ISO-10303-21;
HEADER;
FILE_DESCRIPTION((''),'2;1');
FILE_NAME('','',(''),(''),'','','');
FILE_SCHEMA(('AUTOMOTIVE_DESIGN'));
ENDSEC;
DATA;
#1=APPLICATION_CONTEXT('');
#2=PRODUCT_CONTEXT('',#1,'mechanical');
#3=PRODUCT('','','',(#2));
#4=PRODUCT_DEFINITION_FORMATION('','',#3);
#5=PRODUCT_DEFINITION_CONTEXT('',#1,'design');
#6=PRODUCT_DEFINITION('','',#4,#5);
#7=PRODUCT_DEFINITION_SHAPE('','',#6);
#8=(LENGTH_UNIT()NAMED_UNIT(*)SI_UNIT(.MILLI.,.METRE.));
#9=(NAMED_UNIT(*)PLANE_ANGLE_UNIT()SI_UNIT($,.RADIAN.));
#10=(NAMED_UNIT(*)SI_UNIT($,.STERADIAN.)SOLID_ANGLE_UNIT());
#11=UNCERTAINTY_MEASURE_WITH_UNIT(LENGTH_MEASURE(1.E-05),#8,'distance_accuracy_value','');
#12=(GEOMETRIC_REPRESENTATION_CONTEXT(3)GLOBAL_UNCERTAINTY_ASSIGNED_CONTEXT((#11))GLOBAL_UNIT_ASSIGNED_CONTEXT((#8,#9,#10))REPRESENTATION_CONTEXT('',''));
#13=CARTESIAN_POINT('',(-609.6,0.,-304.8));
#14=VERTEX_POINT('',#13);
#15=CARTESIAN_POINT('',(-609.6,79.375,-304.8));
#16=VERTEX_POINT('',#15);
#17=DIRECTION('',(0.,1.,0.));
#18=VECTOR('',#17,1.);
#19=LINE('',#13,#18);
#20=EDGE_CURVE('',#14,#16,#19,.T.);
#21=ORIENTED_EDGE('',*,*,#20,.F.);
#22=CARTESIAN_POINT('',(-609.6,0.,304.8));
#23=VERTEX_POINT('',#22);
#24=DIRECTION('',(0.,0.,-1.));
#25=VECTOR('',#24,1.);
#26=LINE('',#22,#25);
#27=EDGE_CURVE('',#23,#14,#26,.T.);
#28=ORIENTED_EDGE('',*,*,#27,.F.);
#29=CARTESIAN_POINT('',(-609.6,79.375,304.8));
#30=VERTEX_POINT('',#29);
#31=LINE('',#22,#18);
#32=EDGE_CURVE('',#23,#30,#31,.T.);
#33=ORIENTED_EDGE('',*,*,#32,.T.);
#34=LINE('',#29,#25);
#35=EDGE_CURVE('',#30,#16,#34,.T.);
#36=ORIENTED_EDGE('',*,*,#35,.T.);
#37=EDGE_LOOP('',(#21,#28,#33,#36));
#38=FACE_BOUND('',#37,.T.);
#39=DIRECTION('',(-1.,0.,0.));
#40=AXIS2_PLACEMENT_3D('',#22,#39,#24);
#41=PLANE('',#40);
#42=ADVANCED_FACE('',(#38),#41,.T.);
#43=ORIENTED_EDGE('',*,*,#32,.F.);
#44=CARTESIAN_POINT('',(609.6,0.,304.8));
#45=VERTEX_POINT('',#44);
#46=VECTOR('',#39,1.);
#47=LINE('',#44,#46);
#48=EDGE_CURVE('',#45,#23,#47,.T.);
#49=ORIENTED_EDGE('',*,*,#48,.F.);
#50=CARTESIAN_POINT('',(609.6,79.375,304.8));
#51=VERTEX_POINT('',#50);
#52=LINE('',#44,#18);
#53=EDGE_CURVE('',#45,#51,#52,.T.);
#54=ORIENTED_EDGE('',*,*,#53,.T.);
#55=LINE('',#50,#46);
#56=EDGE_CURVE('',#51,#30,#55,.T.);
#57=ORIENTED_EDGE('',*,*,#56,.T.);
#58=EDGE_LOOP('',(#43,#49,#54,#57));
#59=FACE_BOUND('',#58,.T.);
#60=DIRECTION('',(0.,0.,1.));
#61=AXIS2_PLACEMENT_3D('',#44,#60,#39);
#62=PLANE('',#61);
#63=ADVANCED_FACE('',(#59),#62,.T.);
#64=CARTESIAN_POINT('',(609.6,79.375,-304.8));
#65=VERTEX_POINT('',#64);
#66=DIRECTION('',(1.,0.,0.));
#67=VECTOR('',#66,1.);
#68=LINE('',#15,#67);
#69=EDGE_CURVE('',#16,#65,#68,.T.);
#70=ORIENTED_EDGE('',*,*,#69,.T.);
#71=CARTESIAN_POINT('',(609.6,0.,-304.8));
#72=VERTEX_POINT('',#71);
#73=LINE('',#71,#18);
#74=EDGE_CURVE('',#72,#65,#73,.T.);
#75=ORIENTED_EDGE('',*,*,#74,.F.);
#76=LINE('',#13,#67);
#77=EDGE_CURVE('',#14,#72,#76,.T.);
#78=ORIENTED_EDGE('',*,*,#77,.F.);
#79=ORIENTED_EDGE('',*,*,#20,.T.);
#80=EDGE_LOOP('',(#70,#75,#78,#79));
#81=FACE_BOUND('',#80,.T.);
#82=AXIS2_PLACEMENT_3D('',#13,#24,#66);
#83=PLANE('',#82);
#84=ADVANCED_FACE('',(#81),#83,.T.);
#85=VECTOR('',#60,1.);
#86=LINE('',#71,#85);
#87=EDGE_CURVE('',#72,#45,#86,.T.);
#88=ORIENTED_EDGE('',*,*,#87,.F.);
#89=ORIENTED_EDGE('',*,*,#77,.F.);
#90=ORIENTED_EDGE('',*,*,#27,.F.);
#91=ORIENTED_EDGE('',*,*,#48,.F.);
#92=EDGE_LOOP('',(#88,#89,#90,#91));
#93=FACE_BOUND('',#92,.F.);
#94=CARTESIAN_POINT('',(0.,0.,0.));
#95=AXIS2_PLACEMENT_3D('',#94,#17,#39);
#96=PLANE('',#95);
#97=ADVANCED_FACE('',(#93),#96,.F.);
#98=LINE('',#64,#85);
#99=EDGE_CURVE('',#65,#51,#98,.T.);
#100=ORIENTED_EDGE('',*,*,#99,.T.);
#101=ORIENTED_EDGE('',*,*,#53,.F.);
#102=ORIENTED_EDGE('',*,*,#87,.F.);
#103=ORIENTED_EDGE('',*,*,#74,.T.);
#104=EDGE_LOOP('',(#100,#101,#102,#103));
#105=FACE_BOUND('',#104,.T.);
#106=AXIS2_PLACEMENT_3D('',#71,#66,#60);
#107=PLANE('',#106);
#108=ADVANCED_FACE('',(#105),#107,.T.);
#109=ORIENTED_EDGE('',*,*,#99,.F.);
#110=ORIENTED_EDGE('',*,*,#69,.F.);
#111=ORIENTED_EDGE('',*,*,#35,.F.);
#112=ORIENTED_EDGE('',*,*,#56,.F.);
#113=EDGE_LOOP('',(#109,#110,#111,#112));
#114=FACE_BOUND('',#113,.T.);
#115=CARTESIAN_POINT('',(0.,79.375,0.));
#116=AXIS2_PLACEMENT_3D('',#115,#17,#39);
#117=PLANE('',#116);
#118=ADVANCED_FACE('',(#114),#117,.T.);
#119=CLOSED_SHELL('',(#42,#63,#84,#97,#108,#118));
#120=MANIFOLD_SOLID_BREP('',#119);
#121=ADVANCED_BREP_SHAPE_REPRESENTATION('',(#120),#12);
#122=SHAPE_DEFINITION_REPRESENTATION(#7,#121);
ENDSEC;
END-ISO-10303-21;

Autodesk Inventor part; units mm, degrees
ref_plane "YZ Plane" through (0, 0, 0) normal (1, 0, 0) x (0, 1, 0)
ref_plane "XZ Plane" through (0, 0, 0) normal (0, 1, 0) x (-1, 0, 0)
ref_plane "XY Plane" through (0, 0, 0) normal (0, 0, 1) x (1, 0, 0)
sketch "Sketch1" plane through (0, 0, 0) normal (0, 1, 0) x (-1, 0, 0)
  line L0 (609.6, -304.8) -> (-609.6, -304.8)
  line L1 (-609.6, -304.8) -> (-609.6, 304.8)
  line L2 (-609.6, 304.8) -> (609.6, 304.8)
  line L3 (609.6, 304.8) -> (609.6, -304.8)
  line L4 (609.6, -304.8) -> (-609.6, 304.8) construction
  line L5 (-609.6, -304.8) -> (609.6, 304.8) construction
  point P0 (0, 0)
  dimension "d0" = 1219.2
  dimension "d1" = 609.6
extrude "Extrusion1" add sketch "Sketch1" along normal blind 79.375
properties part number "Paver type 1-pedestrian" material "Limestone"
